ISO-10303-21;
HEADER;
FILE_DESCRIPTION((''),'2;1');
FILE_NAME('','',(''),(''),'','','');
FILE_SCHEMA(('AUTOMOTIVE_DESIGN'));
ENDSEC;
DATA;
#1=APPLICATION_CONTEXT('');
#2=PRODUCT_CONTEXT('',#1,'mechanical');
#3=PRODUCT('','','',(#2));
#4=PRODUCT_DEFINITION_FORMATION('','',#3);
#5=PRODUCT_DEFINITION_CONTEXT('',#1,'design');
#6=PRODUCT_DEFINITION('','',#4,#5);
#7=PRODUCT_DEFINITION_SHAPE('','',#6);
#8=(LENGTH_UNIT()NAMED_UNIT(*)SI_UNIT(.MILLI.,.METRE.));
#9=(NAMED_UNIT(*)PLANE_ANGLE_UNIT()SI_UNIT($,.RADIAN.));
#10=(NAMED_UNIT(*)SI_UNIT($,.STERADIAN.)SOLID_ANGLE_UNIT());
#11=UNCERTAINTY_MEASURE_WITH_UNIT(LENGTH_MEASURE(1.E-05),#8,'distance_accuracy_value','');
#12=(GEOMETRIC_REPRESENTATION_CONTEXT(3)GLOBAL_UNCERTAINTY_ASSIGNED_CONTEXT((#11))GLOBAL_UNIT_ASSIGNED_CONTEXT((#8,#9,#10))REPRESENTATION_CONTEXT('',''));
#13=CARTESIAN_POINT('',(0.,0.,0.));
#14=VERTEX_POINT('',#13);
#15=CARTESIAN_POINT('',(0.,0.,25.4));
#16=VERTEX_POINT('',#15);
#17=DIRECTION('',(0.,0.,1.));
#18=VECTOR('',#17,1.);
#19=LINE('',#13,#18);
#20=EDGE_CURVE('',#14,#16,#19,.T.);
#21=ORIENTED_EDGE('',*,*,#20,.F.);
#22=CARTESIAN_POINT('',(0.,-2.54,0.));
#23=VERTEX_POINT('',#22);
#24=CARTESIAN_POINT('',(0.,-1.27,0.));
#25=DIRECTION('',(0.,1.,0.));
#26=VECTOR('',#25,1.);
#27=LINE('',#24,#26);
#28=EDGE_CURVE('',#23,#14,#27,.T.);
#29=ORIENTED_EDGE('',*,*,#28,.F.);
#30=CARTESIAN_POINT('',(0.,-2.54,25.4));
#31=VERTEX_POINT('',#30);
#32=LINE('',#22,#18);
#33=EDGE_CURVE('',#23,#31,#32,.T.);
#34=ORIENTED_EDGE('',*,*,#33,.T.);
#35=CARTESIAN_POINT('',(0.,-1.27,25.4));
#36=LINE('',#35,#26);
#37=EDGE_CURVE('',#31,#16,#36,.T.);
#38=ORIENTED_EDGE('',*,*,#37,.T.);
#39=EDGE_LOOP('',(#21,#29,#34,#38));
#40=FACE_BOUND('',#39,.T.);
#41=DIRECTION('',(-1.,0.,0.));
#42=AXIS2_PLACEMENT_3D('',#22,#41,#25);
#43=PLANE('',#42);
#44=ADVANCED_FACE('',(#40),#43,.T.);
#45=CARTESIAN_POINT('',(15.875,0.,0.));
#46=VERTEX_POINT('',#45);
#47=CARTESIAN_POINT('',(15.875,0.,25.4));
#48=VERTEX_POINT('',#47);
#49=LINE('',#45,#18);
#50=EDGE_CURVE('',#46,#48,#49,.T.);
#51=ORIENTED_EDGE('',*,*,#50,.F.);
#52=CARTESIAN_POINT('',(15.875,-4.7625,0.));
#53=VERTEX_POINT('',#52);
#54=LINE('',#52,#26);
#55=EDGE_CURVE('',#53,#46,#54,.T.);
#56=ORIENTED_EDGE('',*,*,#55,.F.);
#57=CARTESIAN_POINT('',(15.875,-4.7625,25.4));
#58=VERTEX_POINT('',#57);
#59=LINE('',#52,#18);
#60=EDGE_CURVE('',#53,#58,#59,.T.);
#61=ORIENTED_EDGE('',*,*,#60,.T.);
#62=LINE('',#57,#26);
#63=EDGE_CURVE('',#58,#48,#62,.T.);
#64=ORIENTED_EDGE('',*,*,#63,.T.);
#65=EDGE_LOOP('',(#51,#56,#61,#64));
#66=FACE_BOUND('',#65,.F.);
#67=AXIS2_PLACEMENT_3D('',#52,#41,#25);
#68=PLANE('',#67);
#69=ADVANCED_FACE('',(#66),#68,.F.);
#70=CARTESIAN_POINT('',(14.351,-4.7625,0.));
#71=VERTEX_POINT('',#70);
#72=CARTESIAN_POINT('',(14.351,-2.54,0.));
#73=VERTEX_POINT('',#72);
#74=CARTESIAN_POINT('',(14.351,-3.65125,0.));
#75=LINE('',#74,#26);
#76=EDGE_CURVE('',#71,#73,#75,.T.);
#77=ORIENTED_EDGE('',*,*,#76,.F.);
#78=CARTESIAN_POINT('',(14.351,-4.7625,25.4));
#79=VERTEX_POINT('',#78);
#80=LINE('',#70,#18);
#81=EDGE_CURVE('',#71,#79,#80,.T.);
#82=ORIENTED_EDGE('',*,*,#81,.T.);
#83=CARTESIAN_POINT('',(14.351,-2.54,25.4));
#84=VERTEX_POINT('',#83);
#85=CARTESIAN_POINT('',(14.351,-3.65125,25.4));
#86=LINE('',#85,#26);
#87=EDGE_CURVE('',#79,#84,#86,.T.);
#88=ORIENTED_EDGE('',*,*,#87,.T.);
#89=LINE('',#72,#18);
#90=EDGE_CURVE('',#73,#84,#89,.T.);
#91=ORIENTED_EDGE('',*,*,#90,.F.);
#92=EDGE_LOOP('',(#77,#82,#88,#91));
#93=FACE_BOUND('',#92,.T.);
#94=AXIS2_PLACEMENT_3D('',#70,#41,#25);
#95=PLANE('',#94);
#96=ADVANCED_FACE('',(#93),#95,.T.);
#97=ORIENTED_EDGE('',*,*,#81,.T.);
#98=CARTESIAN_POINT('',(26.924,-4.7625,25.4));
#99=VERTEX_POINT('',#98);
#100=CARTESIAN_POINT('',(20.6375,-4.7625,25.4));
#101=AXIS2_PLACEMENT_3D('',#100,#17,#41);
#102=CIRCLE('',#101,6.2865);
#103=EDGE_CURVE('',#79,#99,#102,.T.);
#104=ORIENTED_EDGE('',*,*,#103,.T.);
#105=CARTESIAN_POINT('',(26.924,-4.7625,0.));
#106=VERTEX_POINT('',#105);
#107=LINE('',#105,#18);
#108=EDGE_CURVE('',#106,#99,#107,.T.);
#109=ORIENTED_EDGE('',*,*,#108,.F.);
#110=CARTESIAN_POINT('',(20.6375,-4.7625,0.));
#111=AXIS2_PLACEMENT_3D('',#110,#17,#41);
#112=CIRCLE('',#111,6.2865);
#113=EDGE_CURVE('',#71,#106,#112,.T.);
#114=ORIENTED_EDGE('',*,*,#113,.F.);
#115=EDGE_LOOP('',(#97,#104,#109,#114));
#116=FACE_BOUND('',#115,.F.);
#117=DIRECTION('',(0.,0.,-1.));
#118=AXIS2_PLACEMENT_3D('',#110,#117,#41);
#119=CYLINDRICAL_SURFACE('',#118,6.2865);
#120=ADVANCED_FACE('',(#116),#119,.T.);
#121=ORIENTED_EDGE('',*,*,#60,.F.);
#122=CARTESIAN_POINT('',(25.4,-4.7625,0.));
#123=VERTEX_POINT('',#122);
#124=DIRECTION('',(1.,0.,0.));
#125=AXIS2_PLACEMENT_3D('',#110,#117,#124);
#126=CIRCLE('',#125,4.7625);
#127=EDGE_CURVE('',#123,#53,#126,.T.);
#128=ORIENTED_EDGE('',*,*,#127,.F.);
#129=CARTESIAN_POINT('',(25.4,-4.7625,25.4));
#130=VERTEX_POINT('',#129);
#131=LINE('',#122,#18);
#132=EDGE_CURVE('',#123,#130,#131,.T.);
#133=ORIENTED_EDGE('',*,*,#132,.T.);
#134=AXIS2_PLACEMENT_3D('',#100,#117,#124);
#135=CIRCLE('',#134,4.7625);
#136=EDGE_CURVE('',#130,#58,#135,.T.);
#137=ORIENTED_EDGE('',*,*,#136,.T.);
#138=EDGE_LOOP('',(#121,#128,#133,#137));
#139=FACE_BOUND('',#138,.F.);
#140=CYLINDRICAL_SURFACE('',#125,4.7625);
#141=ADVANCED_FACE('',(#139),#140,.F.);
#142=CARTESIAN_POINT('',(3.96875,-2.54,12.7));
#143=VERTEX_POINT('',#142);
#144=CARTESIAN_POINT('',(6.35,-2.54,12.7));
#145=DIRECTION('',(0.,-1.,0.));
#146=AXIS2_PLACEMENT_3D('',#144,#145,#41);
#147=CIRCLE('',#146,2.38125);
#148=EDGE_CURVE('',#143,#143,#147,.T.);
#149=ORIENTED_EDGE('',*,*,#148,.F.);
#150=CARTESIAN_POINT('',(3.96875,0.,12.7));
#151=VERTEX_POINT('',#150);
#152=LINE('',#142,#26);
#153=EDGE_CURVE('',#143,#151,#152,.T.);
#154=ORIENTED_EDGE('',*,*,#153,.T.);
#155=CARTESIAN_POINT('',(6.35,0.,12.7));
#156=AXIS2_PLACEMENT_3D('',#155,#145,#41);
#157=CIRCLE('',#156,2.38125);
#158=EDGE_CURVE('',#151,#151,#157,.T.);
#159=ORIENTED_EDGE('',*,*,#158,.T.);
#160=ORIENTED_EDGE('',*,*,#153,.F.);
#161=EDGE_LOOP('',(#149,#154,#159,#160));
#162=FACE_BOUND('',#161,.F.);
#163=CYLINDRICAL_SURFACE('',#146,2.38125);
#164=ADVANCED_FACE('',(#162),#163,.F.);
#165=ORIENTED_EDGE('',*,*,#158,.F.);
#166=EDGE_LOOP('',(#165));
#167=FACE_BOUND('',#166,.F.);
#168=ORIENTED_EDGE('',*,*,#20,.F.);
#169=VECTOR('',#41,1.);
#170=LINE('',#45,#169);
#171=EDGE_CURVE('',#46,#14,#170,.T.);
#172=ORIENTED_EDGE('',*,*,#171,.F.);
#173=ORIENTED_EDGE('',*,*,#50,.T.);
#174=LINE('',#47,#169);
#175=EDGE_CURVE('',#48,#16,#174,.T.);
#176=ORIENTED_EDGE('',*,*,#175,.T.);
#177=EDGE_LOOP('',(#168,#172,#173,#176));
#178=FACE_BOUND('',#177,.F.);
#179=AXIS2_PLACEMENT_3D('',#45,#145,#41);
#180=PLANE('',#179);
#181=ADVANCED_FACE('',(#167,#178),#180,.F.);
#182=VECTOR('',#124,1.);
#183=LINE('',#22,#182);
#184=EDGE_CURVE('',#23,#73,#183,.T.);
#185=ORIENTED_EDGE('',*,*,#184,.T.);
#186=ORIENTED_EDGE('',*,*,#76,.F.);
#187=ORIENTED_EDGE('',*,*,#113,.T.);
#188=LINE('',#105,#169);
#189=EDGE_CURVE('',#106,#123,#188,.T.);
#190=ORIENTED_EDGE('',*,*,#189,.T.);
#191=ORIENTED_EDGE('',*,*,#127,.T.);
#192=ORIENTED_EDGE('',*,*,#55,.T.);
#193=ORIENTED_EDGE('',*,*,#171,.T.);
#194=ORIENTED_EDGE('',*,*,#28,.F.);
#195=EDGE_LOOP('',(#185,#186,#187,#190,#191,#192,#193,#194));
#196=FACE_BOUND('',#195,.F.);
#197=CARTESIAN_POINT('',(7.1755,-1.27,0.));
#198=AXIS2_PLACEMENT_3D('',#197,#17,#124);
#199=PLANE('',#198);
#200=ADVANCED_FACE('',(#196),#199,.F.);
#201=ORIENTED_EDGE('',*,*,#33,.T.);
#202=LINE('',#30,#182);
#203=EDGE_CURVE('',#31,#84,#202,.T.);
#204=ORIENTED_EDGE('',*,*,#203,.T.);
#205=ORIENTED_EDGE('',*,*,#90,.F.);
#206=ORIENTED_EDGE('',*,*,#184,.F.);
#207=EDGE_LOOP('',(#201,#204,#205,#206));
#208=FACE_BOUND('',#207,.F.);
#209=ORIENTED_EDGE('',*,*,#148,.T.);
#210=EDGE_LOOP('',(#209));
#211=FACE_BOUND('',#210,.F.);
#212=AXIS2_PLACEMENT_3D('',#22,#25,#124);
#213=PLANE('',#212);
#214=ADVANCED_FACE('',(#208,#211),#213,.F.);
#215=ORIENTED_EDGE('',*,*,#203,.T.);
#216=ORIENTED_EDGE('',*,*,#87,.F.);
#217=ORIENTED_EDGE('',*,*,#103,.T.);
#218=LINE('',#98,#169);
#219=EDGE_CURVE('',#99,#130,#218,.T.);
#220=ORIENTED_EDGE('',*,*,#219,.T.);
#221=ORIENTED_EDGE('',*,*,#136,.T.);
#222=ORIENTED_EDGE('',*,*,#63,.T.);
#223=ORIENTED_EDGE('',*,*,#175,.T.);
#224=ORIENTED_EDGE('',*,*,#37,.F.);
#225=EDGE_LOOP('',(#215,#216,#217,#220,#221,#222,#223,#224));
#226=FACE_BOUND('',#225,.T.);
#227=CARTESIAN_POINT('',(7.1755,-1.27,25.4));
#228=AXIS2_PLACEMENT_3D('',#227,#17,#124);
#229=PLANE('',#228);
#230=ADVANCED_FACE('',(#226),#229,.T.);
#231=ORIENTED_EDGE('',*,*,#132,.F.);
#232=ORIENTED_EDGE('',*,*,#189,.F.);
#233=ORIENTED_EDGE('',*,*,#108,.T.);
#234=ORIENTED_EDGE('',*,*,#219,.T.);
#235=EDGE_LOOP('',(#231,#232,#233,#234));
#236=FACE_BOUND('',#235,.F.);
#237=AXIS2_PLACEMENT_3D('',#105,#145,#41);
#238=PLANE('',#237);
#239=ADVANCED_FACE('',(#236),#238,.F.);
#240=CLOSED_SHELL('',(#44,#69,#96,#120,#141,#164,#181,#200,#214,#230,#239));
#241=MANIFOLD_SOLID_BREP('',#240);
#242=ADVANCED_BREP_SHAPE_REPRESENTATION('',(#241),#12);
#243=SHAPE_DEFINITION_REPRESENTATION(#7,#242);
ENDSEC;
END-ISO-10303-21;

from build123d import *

# Parameters (mm, degrees)
F0_W     = 14.351
F0_H     = 2.54
F0_W_2   = 1.524
F0_H_2   = 2.2225
F1_DEPTH = 25.4
F3_DEPTH = 25.4


with BuildPart() as f1:
    # F0 (on Top) → F1 (new body)
    with BuildSketch(Plane.XY):
        with Locations((7.1755, -1.27)):
            Rectangle(F0_W, F0_H)
        with Locations((15.113, -1.27)):
            Rectangle(F0_W_2, F0_H)
        with Locations((15.113, -3.65125)):
            Rectangle(F0_W_2, F0_H_2)
        with BuildLine():
            Line((15.875, -4.7625), (14.351, -4.7625))
            ThreePointArc((14.351, -4.7625), (20.6375, -11.049), (26.924, -4.7625))
            Line((26.924, -4.7625), (25.4, -4.7625))
            ThreePointArc((25.4, -4.7625), (20.6375, -9.525), (15.875, -4.7625))
        make_face()
    extrude(amount=F1_DEPTH)

    # F2 (on face) → F3 (cut)
    with BuildSketch(Plane.XZ.offset(2.54)):
        with BuildLine():
            ThreePointArc((8.73125, 12.7), (6.35, 15.08125), (3.96875, 12.7))
            ThreePointArc((3.96875, 12.7), (6.35, 10.31875), (8.73125, 12.7))
        make_face()
    extrude(amount=-F3_DEPTH, mode=Mode.SUBTRACT)


solid = f1.part
